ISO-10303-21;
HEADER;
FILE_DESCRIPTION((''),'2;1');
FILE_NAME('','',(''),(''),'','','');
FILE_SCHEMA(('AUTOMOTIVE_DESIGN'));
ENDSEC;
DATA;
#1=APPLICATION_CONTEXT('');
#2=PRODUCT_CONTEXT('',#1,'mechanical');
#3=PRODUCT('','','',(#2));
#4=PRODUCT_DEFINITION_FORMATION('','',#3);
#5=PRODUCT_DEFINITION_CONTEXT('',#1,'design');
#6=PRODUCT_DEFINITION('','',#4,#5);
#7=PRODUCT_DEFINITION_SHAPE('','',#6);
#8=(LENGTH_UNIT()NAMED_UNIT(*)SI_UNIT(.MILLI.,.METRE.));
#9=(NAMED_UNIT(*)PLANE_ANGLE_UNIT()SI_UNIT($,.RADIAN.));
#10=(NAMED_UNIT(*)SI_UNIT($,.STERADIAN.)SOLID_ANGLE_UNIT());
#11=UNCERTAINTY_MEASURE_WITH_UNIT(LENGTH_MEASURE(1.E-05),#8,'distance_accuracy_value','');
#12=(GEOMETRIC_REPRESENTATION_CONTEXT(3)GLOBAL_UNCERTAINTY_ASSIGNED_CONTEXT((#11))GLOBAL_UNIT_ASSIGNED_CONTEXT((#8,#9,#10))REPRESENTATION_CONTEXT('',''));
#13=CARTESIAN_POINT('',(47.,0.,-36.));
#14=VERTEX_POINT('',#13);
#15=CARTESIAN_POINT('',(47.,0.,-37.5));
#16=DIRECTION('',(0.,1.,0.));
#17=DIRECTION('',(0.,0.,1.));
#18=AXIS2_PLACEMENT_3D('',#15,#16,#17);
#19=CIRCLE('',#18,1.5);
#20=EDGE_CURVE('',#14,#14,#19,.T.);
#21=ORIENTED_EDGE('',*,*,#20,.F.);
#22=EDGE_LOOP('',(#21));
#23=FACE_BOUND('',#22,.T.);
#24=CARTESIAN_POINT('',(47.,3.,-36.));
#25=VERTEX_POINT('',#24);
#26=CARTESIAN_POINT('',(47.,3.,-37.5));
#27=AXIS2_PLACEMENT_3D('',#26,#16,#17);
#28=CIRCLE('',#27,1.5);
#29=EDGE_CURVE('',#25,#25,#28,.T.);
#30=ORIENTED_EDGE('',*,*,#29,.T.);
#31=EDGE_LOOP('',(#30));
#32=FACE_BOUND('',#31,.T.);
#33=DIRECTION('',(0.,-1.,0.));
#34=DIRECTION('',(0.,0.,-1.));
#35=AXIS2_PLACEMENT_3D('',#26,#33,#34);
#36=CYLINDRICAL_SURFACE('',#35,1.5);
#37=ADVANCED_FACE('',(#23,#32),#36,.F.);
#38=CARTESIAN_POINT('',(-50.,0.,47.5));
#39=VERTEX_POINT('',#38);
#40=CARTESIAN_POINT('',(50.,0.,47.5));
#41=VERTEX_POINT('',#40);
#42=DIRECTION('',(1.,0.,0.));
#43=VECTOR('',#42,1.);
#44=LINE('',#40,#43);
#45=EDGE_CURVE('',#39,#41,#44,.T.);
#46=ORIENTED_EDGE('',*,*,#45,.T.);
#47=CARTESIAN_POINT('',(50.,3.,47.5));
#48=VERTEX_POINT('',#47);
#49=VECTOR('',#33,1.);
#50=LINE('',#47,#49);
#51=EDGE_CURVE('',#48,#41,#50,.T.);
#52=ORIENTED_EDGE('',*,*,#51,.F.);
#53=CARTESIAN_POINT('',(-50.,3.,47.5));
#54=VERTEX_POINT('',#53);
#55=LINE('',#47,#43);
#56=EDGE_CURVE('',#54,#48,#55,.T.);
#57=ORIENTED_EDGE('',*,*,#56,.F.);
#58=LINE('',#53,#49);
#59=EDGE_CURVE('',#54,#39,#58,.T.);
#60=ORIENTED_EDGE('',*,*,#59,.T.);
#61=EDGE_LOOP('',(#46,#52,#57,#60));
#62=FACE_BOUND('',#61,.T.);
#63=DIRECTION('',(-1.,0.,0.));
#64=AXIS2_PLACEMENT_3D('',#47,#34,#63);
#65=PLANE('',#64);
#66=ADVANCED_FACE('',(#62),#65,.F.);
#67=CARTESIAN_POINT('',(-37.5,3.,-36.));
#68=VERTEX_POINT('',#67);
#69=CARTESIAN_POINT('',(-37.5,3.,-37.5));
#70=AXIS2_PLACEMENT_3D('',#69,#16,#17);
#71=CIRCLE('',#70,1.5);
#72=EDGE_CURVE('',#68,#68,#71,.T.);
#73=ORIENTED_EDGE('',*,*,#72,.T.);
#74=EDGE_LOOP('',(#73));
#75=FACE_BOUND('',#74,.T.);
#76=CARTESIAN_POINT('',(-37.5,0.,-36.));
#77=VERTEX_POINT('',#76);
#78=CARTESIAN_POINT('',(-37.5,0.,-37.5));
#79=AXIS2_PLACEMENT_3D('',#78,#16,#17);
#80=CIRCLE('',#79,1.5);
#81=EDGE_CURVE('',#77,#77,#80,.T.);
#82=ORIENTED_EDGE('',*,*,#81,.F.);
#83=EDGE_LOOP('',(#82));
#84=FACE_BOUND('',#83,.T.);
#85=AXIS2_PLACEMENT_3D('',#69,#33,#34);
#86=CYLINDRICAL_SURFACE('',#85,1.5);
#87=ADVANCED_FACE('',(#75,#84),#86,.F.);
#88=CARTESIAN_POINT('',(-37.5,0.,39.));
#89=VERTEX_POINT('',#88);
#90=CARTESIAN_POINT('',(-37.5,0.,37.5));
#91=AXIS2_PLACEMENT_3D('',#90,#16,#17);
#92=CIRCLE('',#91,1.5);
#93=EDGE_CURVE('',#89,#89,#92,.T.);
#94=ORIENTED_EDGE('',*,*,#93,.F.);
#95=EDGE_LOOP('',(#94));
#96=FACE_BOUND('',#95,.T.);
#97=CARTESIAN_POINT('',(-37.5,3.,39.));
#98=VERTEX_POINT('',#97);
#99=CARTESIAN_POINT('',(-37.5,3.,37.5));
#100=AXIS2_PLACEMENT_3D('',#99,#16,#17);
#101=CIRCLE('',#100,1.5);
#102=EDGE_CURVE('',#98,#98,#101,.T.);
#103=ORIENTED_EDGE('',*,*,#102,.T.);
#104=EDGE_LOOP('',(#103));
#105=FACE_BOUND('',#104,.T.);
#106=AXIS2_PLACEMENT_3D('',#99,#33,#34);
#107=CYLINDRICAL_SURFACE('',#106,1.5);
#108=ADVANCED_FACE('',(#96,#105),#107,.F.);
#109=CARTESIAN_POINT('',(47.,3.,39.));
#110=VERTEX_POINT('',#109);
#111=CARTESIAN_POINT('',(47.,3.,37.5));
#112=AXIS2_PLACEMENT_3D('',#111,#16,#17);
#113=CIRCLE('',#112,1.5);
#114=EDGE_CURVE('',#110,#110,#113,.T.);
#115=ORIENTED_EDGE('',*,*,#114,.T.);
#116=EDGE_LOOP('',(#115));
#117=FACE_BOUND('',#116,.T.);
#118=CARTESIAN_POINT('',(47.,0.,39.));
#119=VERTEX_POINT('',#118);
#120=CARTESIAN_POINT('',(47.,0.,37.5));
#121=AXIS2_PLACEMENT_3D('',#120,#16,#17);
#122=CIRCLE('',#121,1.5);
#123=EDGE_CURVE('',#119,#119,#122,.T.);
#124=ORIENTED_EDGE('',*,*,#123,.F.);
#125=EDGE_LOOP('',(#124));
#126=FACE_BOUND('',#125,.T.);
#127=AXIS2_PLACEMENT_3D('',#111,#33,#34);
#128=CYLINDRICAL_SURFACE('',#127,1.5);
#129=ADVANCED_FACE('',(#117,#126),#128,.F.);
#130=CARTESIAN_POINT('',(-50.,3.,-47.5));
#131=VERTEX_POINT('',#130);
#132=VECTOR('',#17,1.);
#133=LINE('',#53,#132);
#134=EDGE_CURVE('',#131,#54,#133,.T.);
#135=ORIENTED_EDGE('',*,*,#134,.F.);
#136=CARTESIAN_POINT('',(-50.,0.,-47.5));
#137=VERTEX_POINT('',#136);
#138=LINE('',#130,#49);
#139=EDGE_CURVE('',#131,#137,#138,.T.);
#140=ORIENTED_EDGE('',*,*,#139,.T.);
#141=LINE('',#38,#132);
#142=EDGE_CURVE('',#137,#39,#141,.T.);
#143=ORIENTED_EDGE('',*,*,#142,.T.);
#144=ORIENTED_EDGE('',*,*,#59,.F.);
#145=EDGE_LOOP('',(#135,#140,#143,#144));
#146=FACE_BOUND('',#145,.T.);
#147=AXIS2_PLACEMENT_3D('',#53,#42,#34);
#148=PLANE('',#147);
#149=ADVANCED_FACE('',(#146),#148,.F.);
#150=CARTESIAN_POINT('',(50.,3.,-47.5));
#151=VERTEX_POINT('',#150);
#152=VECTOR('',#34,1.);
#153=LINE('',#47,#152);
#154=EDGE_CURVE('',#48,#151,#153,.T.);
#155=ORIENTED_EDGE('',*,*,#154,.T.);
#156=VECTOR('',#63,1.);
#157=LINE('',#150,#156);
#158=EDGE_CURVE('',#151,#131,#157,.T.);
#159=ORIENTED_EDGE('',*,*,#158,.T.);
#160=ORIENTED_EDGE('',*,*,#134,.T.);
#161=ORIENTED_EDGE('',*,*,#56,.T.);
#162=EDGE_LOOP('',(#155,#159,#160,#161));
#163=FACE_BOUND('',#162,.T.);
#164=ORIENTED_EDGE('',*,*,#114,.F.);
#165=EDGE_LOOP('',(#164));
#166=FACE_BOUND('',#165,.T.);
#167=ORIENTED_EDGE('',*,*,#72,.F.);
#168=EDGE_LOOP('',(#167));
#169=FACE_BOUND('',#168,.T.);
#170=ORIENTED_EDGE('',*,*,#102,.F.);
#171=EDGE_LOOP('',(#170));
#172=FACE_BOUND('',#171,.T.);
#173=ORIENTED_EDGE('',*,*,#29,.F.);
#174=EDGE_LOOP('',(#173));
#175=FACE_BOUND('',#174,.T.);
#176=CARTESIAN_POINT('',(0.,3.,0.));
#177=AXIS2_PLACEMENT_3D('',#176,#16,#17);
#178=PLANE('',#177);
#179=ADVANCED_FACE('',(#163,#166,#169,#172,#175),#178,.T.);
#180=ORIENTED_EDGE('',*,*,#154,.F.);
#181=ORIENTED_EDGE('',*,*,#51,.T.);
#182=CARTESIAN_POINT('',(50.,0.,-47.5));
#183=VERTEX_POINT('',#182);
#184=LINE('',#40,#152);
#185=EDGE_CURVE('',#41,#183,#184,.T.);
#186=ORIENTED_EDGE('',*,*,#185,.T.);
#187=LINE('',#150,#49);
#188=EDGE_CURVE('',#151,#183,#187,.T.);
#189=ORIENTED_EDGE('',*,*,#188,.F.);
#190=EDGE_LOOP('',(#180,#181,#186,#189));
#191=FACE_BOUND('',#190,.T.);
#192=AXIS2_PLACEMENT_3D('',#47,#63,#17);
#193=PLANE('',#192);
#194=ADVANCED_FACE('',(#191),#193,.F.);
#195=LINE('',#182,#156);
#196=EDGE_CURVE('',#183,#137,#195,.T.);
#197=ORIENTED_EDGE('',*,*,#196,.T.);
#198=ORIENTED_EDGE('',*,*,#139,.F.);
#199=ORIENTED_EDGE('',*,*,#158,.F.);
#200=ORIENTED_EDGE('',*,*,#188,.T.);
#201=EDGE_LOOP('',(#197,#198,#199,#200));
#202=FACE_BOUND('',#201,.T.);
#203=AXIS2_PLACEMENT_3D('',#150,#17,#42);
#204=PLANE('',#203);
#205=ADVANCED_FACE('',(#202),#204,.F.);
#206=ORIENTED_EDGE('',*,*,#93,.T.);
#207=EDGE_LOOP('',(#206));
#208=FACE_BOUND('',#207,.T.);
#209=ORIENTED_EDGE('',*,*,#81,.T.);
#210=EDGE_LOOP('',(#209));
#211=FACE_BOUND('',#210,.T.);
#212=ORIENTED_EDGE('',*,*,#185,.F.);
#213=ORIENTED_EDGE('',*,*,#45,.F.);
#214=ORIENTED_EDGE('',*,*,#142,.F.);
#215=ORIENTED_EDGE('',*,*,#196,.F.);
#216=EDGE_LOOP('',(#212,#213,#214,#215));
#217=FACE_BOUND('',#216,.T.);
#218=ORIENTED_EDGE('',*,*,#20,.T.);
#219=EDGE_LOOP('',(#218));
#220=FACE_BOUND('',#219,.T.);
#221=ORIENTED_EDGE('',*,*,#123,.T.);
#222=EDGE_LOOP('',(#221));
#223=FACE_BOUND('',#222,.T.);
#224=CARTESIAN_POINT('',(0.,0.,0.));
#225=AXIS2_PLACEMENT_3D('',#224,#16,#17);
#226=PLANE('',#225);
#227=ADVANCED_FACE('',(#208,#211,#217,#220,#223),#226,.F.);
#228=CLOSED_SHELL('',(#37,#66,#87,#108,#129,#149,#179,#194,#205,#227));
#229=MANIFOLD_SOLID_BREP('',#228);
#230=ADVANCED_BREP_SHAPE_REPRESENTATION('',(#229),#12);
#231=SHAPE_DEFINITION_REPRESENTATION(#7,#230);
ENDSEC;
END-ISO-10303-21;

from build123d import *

# Parameters (mm, degrees)
SKETCH1_W           = 100
SKETCH1_H           = 95
SKETCH1_R           = 1.5
BOSS_EXTRUDE1_DEPTH = 3


with BuildPart() as part:
    # Sketch1 → Boss-Extrude1 (new body)
    with BuildSketch(Plane(origin=(0, 0, 0), x_dir=(1, 0, 0), z_dir=(0, 1, 0))):
        Rectangle(SKETCH1_W, SKETCH1_H)
        with Locations((-37.5, 37.5)):
            Circle(SKETCH1_R, mode=Mode.SUBTRACT)
        with Locations((47, 37.5)):
            Circle(SKETCH1_R, mode=Mode.SUBTRACT)
        with Locations((47, -37.5)):
            Circle(SKETCH1_R, mode=Mode.SUBTRACT)
        with Locations((-37.5, -37.5)):
            Circle(SKETCH1_R, mode=Mode.SUBTRACT)
    extrude(amount=BOSS_EXTRUDE1_DEPTH)


solid = part.part
